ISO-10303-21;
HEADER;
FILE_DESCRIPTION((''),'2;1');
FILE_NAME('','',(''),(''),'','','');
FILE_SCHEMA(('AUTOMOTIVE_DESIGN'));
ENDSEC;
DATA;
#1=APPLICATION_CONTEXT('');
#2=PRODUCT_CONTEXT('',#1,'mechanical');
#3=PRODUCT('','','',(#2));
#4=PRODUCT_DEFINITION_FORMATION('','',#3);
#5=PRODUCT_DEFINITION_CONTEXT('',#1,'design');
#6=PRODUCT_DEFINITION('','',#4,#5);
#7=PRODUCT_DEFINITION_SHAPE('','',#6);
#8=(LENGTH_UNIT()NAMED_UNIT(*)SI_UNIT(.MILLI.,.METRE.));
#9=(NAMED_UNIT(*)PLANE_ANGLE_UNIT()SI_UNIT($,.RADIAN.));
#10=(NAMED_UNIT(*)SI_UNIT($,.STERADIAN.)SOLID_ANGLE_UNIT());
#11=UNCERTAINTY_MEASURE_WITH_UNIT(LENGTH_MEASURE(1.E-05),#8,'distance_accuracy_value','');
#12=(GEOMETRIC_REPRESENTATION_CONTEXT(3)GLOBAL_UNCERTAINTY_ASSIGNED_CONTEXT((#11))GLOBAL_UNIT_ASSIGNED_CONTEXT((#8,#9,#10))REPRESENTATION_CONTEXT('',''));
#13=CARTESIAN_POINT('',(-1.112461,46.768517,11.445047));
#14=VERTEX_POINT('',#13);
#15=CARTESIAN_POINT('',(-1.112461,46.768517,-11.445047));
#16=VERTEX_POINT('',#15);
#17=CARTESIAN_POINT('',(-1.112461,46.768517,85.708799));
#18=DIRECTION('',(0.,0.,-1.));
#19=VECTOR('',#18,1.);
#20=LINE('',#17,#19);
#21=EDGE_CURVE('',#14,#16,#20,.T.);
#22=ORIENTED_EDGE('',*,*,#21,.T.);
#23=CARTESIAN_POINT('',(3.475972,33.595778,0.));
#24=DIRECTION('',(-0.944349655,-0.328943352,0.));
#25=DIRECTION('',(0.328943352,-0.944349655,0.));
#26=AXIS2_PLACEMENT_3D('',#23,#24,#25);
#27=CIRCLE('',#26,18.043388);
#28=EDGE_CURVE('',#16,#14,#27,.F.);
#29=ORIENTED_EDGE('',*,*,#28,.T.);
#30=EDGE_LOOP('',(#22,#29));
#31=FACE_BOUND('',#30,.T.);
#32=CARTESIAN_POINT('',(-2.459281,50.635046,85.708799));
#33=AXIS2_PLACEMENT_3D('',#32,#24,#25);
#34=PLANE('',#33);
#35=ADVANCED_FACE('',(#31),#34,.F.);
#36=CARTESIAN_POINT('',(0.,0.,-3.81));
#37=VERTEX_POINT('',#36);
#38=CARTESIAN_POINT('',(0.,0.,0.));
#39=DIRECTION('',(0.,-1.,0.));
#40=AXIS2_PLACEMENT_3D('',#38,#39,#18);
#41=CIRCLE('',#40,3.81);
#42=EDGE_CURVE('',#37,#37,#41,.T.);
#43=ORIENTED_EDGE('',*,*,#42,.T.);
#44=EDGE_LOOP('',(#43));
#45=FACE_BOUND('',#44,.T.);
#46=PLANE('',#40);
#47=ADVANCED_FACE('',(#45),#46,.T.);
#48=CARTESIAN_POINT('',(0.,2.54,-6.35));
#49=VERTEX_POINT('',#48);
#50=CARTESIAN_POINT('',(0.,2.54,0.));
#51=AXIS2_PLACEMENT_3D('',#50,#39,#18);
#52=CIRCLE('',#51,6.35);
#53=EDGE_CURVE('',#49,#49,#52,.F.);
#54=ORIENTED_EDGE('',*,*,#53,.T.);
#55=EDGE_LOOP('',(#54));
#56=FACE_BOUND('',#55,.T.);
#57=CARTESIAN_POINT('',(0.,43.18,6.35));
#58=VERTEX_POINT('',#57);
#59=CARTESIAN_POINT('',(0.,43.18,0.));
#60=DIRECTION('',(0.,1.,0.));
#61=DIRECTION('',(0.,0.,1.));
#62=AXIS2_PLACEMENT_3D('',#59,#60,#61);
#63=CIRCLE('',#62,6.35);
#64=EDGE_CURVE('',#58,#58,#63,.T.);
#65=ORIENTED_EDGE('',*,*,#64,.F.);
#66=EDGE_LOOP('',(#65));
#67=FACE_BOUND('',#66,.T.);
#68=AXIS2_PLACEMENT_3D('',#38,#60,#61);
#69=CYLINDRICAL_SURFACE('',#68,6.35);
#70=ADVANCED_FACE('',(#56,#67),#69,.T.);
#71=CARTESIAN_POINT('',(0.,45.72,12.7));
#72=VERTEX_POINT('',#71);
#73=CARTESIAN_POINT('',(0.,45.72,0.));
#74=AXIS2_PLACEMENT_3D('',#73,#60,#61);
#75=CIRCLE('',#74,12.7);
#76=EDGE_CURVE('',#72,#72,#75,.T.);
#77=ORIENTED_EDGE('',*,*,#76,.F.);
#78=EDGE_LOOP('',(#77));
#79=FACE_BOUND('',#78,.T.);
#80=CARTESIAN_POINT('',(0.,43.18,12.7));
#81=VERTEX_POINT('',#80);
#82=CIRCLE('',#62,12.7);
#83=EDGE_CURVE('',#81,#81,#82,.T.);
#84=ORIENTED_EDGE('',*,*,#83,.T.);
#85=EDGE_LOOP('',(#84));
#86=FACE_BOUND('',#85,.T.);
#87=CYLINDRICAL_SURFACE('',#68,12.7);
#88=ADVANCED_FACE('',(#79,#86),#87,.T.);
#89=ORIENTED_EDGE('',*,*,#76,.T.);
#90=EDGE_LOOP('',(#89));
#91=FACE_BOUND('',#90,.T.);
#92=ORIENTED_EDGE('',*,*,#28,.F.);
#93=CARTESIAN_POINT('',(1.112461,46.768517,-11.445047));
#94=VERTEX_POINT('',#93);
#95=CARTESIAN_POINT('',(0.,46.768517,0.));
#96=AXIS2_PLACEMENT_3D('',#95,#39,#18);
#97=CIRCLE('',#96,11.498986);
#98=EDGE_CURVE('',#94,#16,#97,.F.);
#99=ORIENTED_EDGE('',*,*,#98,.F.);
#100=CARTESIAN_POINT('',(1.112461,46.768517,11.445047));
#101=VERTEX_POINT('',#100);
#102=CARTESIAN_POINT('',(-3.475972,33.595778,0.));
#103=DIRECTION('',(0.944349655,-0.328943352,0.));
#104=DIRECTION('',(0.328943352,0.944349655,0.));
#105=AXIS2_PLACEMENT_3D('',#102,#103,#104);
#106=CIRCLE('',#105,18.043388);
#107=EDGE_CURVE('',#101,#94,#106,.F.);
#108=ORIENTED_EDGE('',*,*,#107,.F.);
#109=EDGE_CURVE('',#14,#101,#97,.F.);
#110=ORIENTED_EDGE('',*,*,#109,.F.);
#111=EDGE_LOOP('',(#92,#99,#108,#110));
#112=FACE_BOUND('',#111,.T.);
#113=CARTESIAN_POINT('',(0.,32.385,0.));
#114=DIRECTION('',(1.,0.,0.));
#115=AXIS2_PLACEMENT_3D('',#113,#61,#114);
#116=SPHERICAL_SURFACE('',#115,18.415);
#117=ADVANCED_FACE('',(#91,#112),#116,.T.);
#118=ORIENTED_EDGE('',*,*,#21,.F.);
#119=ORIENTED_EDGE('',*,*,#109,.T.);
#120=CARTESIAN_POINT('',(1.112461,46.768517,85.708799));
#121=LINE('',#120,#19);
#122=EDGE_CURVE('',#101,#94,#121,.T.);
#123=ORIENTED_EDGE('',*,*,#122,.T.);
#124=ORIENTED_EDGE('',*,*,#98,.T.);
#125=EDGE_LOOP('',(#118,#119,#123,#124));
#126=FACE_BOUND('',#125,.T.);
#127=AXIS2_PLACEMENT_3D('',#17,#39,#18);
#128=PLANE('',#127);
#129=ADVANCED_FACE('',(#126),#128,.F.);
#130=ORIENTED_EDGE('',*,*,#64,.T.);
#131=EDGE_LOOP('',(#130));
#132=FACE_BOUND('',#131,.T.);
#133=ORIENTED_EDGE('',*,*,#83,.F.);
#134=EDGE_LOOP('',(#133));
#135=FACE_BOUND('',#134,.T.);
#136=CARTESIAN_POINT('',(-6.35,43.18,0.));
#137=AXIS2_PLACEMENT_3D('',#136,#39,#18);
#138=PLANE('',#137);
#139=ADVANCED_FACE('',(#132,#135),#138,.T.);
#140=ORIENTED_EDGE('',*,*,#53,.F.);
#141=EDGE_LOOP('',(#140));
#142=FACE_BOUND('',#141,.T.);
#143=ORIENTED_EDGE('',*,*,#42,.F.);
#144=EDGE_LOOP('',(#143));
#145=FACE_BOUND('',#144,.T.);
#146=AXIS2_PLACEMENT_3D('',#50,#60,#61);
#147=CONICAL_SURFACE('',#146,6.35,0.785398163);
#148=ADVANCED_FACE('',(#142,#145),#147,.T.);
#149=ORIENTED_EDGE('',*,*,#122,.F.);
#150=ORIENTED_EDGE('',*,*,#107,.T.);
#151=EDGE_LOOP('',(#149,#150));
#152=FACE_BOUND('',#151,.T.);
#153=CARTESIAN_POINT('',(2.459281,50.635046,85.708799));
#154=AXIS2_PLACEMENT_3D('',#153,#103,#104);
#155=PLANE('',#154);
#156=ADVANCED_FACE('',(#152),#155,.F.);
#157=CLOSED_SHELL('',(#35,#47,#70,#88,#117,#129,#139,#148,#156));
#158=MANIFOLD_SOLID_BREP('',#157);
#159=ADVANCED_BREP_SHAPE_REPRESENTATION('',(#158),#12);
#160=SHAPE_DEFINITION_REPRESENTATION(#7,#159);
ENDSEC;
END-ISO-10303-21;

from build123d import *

# Parameters (mm, degrees)
DOME1_FACE_RADIUS       = 12.7
DOME1_HEIGHT            = 5.08
CUT_EXTRUDE1_DEPTH      = 13.7
CUT_EXTRUDE1_DEPTH_BACK = 13.7
CHAMFER1_SIZE           = 2.54


with BuildPart() as part:
    # Sketch1 → Revolve1 (revolve)
    with BuildSketch(Plane.XY):
        Polygon((0, 0), (-6.35, 0), (-6.35, 43.18), (-12.7, 43.18), (-12.7, 45.72), (0, 45.72), align=None)
    revolve(axis=Axis((0, 0, 0), (0, -1, 0)))

    # Dome1: a dome of height H over a round flat face of radius A is a cap of a sphere of radius (A * A + H * H) / (2 * H)
    dome1_r = (DOME1_FACE_RADIUS * DOME1_FACE_RADIUS + DOME1_HEIGHT * DOME1_HEIGHT) / (2 * DOME1_HEIGHT)
    dome1_base = Plane((0, 45.72, 0), z_dir=(0, 1, 0))
    with Locations(dome1_base.offset(DOME1_HEIGHT - dome1_r)):
        dome1_ball = Sphere(dome1_r, mode=Mode.PRIVATE)
    add(split(dome1_ball, bisect_by=dome1_base, keep=Keep.TOP, mode=Mode.PRIVATE))

    # Sketch2 → Cut-Extrude1 (cut, two sides)
    with BuildSketch(Plane.XY) as cut_extrude1_sk:
        Polygon((-40.521693109, 159.90682702), (-2.459280697, 50.635045574), (-1.11246074, 46.768516717), (1.11246074, 46.768516717), (2.459280697, 50.635045574), (40.521693109, 159.90682702), (40.521693109, 391.329120321), (-40.521693109, 391.329120321), align=None)
    extrude(amount=CUT_EXTRUDE1_DEPTH, mode=Mode.SUBTRACT)
    extrude(cut_extrude1_sk.sketch, amount=-CUT_EXTRUDE1_DEPTH_BACK, mode=Mode.SUBTRACT)

    # Chamfer1
    chamfer1_edges = [part.edges().sort_by_distance(p)[0] for p in [
        (6.35, 0, 0),
    ]]
    chamfer(chamfer1_edges, length=CHAMFER1_SIZE)


solid = part.part
